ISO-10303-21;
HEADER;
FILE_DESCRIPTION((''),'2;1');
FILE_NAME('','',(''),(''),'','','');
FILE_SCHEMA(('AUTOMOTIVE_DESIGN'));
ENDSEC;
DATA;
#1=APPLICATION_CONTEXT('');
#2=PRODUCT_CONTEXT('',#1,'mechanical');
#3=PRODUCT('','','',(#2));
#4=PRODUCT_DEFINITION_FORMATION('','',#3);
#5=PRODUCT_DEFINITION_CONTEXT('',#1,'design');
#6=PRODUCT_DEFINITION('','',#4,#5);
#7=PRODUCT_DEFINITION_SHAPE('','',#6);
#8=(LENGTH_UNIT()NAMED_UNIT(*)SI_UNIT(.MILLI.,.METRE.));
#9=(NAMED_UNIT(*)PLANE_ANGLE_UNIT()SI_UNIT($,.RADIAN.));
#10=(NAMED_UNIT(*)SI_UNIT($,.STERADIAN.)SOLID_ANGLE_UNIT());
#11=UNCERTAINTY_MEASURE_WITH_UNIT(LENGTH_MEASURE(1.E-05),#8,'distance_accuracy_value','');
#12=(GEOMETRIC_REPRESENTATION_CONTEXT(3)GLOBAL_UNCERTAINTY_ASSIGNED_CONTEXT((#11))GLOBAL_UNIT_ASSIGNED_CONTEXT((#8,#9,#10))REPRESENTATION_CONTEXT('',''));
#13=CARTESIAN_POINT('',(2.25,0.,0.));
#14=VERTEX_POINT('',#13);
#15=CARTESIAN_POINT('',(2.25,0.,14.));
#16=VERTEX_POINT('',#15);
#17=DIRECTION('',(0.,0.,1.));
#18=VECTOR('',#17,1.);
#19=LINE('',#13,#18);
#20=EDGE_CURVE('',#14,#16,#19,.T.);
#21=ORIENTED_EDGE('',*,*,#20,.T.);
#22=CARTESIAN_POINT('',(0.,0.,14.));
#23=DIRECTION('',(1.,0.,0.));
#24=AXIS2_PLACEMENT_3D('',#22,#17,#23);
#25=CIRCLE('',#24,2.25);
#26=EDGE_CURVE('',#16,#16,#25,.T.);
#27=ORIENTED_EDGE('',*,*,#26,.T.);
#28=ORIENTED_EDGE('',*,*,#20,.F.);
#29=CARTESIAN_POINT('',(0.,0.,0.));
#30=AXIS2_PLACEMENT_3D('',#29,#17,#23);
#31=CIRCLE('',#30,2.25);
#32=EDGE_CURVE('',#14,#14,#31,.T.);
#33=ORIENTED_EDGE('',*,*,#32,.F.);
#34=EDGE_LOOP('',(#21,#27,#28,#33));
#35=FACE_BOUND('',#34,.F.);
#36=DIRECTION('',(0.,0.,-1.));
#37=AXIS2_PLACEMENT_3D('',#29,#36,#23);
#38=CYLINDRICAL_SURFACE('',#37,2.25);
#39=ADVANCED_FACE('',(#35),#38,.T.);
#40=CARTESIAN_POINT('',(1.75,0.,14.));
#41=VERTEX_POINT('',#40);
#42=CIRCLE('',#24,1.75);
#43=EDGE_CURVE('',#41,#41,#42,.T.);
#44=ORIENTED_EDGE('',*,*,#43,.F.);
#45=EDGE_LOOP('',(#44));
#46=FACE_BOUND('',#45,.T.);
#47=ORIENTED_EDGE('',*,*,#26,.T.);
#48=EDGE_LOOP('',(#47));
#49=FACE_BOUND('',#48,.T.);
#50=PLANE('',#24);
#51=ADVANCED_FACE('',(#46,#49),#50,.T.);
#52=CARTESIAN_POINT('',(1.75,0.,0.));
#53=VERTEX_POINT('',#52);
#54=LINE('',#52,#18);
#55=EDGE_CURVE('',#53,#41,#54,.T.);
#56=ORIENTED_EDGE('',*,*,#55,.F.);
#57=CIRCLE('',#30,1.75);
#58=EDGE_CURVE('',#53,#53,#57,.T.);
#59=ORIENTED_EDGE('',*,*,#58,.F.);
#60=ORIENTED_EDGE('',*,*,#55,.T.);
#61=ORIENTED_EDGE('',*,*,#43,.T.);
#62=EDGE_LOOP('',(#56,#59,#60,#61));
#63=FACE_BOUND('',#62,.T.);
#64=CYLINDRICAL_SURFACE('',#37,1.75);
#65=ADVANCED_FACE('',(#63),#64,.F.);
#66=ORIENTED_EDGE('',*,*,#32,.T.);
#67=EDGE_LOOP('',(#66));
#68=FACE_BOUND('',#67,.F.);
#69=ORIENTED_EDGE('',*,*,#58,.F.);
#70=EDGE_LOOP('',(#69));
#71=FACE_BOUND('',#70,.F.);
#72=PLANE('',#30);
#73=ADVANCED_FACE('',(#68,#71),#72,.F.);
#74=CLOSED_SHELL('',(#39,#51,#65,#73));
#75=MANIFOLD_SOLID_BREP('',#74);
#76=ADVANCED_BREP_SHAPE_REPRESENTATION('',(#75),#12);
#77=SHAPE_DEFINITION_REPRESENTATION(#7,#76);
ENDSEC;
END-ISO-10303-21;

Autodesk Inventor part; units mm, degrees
ref_plane "YZ Plane" through (0, 0, 0) normal (1, 0, 0) x (0, 1, 0)
ref_plane "XZ Plane" through (0, 0, 0) normal (0, 1, 0) x (-1, 0, 0)
ref_plane "XY Plane" through (0, 0, 0) normal (0, 0, 1) x (1, 0, 0)
sketch "Skizze1" plane through (0, 0, 0) normal (0, 0, 1) x (1, 0, 0)
  circle A0 centre (0, 0) radius 1.75
  circle A1 centre (0, 0) radius 2.25
  dimension "d0" = 3.5
  dimension "d1" = 4.5
extrude "Extrusion1" add sketch "Skizze1" along normal blind 14
properties part number "Abstandshalter 14mm leicht" material "ABS-Kunststoff"
